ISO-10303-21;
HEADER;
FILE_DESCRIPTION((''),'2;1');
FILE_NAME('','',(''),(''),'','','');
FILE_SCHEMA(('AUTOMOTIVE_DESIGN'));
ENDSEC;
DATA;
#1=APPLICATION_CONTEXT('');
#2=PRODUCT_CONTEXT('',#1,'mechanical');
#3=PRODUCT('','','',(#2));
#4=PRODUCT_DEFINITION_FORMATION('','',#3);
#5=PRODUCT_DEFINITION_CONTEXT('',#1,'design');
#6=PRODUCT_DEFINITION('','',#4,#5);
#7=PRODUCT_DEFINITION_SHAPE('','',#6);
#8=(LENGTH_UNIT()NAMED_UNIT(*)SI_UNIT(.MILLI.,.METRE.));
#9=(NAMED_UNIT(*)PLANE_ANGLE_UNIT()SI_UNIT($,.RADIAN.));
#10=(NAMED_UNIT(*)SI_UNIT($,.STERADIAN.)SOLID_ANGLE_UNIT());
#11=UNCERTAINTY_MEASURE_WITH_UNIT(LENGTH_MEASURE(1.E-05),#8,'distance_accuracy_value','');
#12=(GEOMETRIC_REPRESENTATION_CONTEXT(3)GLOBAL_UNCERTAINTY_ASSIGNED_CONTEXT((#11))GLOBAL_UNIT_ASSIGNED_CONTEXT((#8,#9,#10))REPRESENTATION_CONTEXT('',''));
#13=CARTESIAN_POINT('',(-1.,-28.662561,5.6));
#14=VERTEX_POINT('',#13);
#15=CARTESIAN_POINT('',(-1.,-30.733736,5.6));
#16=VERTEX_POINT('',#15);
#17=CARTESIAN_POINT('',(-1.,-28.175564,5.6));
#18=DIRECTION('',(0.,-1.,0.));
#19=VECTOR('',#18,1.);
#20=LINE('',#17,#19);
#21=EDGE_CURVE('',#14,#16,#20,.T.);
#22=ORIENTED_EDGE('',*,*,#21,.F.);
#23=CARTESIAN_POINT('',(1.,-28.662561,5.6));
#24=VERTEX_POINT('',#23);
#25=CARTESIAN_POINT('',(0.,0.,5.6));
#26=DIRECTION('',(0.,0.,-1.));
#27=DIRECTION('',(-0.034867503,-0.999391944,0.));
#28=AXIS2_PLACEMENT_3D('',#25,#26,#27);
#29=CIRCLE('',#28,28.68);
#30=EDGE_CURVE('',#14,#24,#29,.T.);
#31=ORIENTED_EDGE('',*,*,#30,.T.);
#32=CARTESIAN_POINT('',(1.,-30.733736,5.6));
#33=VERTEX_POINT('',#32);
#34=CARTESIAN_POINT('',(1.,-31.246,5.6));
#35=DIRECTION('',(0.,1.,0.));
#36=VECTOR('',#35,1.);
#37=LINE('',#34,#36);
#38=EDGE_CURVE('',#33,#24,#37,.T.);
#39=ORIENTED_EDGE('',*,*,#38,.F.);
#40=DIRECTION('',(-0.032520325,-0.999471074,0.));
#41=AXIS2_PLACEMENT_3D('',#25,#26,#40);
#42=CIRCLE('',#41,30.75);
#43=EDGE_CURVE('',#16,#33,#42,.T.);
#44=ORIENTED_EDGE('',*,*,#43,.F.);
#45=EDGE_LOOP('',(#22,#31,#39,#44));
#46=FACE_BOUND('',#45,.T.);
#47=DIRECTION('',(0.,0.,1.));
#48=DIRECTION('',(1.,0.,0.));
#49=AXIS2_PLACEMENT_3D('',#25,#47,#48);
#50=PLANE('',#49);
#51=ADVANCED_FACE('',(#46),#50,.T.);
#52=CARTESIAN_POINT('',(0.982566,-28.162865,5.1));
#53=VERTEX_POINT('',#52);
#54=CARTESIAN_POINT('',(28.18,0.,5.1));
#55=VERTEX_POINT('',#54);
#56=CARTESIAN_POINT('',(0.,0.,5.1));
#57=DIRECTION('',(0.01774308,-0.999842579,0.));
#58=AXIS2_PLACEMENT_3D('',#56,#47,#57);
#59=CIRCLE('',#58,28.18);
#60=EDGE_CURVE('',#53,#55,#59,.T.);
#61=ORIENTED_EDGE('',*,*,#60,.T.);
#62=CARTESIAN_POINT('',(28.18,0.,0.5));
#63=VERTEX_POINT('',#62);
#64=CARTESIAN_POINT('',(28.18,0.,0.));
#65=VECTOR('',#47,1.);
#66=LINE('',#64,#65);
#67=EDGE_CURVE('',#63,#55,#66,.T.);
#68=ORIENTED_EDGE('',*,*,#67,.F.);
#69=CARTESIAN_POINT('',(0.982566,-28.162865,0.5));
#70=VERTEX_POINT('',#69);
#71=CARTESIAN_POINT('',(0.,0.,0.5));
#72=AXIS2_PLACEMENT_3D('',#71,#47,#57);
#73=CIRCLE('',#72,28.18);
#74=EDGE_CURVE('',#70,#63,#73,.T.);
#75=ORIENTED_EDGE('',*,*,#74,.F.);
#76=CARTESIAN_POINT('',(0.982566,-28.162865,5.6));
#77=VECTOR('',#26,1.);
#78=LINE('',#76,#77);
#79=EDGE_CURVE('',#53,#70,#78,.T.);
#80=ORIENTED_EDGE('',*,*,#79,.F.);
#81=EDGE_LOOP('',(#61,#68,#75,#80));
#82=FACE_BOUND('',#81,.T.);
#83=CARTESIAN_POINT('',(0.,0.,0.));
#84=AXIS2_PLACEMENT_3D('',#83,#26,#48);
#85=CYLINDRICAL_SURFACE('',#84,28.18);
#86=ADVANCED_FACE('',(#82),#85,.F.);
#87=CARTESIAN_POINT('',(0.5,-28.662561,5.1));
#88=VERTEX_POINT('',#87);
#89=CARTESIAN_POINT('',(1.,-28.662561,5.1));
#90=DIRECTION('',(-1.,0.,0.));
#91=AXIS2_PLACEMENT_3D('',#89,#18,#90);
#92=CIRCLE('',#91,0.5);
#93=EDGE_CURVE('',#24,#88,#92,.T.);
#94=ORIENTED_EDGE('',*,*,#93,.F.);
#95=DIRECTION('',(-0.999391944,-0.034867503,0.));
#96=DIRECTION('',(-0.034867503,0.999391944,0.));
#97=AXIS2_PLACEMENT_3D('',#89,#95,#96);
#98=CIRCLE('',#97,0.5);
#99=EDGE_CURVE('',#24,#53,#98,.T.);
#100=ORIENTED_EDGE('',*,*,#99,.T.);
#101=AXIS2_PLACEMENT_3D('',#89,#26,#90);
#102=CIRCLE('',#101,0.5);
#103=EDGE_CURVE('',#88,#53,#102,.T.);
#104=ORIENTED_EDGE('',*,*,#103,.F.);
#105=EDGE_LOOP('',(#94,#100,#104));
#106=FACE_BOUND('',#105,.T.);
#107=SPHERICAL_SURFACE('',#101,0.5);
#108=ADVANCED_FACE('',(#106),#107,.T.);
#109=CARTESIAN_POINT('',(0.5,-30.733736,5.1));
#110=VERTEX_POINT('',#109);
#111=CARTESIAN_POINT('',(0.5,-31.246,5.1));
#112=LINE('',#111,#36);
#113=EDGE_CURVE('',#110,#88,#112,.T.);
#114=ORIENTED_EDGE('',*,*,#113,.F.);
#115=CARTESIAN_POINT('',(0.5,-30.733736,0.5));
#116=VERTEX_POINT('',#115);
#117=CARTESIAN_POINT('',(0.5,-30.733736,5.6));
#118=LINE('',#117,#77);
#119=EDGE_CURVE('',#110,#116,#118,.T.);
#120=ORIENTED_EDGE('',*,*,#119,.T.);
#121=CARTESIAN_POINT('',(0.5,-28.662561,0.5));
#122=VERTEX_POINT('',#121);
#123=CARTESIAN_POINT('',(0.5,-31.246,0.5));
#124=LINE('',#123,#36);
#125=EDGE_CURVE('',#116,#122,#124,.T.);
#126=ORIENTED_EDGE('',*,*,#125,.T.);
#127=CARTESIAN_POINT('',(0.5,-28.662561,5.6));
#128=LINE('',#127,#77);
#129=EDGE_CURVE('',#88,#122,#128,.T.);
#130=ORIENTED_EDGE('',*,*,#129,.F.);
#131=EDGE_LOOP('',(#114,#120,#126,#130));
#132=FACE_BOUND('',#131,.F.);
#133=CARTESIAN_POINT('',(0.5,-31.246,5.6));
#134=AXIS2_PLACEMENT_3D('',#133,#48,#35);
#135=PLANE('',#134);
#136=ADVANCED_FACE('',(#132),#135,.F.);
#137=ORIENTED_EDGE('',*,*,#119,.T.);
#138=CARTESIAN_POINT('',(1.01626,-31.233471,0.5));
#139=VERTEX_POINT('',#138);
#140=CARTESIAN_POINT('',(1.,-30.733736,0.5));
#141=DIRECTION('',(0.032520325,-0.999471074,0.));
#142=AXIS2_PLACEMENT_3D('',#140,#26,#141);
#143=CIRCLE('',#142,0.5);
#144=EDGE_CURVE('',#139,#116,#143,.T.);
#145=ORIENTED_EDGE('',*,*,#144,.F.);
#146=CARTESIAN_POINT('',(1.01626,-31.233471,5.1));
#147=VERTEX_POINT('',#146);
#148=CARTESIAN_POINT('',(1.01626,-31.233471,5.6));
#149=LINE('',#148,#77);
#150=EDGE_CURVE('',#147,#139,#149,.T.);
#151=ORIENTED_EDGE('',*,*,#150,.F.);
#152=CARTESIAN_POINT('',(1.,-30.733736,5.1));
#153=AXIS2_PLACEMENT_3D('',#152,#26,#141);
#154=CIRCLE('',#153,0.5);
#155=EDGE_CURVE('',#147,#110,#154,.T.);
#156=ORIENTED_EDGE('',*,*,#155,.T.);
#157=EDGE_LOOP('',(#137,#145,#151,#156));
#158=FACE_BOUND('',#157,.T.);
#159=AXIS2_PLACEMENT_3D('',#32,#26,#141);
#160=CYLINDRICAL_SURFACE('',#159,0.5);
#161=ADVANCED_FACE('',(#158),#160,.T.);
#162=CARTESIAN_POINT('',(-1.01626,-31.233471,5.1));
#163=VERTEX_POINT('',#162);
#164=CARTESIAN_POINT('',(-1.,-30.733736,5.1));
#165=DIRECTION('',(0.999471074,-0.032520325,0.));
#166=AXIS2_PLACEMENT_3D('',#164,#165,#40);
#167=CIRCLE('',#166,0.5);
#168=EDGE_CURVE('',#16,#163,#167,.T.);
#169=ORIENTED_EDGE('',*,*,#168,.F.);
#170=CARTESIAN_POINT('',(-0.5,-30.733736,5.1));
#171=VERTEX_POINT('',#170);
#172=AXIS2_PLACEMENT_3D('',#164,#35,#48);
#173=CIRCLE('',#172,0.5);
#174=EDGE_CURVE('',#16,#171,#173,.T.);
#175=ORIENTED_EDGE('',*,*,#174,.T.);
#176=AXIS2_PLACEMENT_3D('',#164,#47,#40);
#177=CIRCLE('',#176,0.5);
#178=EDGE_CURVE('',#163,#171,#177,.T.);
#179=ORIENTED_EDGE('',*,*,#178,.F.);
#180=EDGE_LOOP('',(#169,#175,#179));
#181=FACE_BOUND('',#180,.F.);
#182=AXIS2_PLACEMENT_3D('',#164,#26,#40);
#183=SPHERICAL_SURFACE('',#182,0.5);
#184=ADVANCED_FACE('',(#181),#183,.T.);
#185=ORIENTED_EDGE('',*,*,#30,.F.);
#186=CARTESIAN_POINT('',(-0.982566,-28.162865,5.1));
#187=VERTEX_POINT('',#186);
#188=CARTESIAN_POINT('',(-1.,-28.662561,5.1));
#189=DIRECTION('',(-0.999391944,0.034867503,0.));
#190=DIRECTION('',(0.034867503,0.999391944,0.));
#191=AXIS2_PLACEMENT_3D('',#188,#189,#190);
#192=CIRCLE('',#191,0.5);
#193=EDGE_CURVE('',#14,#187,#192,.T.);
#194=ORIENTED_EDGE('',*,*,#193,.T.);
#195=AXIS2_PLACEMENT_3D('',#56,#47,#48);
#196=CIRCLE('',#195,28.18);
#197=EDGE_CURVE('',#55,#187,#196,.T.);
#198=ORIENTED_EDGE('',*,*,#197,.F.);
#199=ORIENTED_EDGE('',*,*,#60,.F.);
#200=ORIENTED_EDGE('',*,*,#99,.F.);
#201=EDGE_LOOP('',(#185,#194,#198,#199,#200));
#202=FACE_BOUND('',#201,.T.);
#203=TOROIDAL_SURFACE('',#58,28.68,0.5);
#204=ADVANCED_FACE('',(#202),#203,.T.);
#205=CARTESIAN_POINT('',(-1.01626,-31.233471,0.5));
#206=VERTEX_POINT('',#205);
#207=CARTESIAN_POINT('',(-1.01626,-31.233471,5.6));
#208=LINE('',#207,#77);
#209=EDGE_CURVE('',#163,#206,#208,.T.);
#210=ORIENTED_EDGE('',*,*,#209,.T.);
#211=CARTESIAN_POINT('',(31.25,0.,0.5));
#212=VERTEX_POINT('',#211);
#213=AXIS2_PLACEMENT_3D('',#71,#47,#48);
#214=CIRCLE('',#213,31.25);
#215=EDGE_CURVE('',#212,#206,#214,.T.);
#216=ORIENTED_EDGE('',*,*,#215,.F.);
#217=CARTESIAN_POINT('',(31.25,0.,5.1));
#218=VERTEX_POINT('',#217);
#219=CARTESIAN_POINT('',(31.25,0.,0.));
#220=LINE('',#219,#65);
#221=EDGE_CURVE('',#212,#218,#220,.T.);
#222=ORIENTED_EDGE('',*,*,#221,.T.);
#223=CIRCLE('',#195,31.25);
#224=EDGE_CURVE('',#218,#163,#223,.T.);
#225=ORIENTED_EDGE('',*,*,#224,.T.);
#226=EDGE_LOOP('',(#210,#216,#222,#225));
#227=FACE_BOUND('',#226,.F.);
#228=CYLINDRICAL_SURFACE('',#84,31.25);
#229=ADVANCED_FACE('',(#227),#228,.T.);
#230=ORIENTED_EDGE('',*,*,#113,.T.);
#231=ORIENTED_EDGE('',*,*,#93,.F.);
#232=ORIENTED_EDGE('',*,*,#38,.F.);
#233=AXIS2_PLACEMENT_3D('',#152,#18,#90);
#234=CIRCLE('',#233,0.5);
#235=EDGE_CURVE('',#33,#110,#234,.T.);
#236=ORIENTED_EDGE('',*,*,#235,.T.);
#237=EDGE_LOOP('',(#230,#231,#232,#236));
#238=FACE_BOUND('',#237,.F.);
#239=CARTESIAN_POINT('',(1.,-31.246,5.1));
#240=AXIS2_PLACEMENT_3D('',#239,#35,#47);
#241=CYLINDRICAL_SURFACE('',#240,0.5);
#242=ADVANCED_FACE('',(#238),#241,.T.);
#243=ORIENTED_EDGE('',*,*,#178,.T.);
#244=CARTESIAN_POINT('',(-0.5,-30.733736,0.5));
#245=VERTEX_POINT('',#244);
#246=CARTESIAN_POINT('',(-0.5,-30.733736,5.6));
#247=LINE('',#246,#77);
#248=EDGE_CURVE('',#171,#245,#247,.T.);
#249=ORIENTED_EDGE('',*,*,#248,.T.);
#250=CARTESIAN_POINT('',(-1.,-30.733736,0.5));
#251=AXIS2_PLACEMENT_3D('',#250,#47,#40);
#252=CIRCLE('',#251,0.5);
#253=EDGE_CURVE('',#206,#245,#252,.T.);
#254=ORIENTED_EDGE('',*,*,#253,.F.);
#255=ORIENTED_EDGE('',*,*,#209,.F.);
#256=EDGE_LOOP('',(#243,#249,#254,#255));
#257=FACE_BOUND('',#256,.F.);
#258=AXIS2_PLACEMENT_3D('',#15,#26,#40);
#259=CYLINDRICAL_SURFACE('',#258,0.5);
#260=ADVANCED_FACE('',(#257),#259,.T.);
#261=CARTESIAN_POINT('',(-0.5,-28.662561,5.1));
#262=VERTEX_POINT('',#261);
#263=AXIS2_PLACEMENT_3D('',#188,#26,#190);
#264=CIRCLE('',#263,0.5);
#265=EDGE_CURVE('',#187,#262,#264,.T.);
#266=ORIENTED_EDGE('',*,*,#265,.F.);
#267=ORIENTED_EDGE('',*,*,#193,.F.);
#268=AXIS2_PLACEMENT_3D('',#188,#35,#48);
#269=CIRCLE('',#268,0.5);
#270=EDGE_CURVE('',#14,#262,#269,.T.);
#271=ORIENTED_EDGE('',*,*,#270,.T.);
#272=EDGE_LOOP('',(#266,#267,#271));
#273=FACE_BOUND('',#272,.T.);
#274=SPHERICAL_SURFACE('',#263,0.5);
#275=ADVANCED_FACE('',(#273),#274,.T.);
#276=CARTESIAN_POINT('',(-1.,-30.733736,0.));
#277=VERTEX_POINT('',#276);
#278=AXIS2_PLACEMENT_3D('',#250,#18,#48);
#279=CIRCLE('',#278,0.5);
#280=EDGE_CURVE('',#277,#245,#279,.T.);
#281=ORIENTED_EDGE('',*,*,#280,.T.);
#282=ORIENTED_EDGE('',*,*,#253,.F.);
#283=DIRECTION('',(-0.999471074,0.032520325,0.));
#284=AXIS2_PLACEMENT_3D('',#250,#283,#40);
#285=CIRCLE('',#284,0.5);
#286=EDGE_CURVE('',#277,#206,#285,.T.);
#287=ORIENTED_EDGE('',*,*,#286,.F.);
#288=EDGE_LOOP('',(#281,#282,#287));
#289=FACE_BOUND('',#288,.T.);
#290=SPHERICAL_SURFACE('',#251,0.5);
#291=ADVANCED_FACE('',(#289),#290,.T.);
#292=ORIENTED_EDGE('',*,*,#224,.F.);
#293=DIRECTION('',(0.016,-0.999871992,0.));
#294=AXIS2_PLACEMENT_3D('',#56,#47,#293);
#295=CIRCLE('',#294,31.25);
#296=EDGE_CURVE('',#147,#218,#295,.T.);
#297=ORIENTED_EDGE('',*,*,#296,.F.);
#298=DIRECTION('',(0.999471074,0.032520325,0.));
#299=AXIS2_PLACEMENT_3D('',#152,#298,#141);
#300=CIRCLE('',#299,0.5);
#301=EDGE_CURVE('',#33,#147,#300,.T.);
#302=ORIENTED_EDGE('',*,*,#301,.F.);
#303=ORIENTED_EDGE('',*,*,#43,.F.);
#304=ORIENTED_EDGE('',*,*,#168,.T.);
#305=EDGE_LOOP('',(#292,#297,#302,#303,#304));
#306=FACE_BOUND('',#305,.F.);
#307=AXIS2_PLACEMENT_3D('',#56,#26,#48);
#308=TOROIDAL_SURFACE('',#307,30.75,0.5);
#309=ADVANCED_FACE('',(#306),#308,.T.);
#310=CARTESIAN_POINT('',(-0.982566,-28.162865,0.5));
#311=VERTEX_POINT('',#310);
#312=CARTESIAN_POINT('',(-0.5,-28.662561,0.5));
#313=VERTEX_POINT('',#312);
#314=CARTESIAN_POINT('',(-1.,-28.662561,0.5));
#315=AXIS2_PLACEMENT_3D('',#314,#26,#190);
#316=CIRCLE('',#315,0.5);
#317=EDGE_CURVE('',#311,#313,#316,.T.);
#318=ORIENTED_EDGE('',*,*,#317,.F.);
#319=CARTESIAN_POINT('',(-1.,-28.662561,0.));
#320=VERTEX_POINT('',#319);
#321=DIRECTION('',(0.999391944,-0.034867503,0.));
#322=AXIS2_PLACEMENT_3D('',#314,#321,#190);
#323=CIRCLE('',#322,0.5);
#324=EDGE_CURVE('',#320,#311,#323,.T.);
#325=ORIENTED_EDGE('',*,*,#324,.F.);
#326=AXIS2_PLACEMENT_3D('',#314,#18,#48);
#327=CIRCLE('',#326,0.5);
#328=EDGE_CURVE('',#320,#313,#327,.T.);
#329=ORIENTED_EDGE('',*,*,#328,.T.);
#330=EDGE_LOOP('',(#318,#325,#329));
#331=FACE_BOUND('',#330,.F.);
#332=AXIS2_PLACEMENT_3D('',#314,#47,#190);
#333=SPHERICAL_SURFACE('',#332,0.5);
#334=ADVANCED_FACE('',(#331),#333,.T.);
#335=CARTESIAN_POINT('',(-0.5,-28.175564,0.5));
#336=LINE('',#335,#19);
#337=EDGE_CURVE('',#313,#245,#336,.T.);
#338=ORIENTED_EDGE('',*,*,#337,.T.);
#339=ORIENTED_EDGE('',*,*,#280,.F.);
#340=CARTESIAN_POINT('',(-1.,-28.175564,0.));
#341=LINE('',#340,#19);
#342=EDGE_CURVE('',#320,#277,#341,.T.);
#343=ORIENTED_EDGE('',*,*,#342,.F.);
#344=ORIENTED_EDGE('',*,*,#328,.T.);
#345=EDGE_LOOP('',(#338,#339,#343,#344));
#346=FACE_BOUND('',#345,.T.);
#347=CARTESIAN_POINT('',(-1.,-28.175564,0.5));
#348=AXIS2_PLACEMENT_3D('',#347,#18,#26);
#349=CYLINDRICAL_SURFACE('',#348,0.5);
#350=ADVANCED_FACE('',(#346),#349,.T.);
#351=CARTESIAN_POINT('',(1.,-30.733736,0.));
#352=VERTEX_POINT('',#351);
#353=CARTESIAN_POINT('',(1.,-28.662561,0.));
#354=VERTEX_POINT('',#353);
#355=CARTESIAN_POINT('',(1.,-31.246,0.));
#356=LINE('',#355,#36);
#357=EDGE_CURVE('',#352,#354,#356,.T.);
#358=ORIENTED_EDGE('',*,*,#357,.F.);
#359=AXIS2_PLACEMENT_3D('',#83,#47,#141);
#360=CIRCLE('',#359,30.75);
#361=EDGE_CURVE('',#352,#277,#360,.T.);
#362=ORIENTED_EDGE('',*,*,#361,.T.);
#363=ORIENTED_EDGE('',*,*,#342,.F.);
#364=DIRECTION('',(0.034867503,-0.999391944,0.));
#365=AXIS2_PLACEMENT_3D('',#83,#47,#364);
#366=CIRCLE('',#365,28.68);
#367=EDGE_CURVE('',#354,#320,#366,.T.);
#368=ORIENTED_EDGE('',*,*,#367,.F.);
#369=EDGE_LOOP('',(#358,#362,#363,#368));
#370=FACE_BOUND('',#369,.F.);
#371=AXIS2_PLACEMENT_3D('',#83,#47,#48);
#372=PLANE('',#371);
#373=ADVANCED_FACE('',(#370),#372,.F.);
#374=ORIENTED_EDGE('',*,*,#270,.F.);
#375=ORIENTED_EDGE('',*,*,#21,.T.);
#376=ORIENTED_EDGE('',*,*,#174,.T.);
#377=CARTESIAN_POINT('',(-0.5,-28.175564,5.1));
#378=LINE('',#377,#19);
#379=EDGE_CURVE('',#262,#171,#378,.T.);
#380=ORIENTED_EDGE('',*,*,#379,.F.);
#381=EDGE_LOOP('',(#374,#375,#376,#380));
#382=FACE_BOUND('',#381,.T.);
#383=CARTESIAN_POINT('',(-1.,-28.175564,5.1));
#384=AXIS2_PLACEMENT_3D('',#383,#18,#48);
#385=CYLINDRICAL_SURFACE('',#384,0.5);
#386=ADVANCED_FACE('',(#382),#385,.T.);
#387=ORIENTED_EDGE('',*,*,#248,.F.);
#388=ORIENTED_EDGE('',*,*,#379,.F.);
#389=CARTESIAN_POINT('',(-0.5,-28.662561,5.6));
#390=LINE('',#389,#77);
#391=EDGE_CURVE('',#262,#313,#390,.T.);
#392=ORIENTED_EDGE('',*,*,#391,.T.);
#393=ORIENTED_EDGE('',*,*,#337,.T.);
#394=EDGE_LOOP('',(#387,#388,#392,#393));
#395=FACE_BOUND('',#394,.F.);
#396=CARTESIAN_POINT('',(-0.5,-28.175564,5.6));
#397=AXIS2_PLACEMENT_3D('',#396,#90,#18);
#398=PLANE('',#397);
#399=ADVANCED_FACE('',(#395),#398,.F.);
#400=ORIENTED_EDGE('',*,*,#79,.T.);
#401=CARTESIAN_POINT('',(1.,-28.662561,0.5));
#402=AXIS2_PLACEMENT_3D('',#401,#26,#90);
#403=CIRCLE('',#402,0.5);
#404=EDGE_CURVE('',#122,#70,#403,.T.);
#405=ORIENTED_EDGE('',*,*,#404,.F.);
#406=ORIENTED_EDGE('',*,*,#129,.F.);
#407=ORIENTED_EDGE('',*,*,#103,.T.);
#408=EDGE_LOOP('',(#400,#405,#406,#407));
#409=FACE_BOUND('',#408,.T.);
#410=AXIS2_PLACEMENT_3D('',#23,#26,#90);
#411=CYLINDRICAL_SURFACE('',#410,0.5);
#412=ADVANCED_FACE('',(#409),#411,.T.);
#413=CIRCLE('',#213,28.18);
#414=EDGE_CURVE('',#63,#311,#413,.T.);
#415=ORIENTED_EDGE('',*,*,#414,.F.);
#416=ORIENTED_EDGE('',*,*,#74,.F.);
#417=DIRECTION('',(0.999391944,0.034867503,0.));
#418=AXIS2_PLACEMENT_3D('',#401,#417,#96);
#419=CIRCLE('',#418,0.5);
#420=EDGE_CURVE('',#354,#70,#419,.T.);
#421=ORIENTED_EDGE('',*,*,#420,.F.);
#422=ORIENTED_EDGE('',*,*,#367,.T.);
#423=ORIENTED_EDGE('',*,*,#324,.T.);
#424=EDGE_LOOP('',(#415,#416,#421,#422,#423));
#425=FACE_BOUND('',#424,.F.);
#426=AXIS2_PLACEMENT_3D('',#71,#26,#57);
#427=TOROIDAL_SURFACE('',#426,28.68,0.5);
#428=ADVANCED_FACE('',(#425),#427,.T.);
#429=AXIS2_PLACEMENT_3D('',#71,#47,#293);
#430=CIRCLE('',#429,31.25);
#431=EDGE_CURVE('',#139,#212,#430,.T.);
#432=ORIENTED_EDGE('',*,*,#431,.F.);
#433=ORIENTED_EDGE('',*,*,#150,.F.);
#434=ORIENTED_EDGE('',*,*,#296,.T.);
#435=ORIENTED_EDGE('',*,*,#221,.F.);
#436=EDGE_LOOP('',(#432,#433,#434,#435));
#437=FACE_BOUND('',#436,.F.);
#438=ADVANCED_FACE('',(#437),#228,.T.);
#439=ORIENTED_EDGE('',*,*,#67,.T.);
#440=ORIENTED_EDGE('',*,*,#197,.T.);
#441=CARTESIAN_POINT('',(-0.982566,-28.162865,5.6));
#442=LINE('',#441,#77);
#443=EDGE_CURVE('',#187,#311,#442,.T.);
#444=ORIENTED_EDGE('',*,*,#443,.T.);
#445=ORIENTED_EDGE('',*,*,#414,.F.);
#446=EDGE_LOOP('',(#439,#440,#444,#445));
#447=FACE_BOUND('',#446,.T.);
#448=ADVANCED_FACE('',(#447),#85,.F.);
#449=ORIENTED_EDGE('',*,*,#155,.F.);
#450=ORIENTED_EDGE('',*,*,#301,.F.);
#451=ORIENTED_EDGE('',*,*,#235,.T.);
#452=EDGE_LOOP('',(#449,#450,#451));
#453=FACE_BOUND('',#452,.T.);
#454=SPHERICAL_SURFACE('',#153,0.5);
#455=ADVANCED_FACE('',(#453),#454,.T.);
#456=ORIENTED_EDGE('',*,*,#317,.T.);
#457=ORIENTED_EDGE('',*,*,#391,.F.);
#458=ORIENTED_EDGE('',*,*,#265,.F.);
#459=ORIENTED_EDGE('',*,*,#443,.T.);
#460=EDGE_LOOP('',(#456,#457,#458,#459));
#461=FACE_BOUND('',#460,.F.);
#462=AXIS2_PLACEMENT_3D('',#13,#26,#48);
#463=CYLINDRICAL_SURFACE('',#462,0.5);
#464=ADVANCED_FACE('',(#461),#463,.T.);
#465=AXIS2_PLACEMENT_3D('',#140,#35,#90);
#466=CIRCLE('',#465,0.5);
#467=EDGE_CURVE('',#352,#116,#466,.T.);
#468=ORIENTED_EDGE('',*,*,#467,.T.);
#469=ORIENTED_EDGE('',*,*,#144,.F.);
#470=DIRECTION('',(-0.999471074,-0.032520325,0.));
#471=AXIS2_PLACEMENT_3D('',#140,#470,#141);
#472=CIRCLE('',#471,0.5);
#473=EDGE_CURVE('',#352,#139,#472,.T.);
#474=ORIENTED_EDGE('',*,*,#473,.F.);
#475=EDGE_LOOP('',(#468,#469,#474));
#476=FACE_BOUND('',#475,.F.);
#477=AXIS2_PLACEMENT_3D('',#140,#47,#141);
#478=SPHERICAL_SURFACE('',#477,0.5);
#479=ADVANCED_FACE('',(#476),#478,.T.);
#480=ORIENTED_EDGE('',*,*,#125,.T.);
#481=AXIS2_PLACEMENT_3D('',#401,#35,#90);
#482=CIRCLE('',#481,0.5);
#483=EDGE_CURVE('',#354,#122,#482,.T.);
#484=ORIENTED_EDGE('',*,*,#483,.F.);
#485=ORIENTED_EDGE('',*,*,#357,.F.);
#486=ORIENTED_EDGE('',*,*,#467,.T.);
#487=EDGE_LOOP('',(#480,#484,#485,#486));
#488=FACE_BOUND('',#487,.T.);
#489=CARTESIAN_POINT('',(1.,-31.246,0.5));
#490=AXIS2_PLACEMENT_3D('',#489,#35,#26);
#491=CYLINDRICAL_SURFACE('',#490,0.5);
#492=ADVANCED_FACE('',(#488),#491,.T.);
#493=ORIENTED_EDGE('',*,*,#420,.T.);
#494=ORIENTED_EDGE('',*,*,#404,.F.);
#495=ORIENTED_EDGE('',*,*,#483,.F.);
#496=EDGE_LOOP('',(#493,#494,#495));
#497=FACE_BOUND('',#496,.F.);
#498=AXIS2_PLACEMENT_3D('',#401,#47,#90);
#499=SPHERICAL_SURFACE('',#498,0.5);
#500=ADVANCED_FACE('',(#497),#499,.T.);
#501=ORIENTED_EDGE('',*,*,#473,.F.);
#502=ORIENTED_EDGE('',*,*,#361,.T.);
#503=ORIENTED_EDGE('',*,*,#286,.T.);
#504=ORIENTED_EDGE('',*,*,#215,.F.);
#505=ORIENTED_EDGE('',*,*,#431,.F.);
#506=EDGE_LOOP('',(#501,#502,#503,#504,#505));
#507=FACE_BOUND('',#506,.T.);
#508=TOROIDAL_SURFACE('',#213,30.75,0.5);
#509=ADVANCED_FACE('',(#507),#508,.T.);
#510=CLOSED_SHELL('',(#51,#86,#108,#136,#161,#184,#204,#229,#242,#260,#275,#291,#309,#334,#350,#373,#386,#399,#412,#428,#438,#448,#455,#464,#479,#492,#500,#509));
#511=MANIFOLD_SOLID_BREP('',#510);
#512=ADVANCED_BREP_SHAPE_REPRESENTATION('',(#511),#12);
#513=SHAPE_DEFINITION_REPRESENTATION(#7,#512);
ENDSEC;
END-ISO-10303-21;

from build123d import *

# Parameters (mm, degrees)
F0_R     = 31.25
F0_R_2   = 28.18
F1_DEPTH = 5.6
F3_DEPTH = 25
F4_R     = 0.5


with BuildPart() as f1:
    # F0 (on Top) → F1 (new body)
    with BuildSketch(Plane.XY):
        Circle(F0_R)
        Circle(F0_R_2, mode=Mode.SUBTRACT)
    extrude(amount=F1_DEPTH)

    # F2 (on face) → F3 (cut)
    with BuildSketch(Plane.XY.offset(5.6)):
        with BuildLine():
            ThreePointArc((0.5, -28.1755638808), (0, -28.18), (-0.5, -28.1755638808))
            Line((-0.5, -28.1755638808), (-0.5, -31.245999744))
            ThreePointArc((-0.5, -31.245999744), (0, -31.25), (0.5, -31.245999744))
            Line((0.5, -31.245999744), (0.5, -28.1755638808))
        make_face()
    extrude(amount=-F3_DEPTH, mode=Mode.SUBTRACT)

    # F4
    f4_edges = [f1.edges().sort_by_distance(p)[0] for p in [
        (-0.5, -31.246, 2.8),
        (-0.5, -28.175564, 2.8),
        (0.5, -31.246, 2.8),
        (0.5, -28.175564, 2.8),
        (22.273162, -21.919597, 5.6),
        (0.5, -29.710782, 5.6),
        (20.102269, -19.748701, 5.6),
        (-19.748701, 20.102269, 5.6),
        (-0.5, -29.710782, 5.6),
        (-21.919597, 22.273162, 5.6),
        (22.273162, -21.919597, 0),
        (0.5, -29.710782, 0),
        (20.102269, -19.748701, 0),
        (-19.748701, 20.102269, 0),
        (-0.5, -29.710782, 0),
        (-21.919597, 22.273162, 0),
    ]]
    fillet(f4_edges, radius=F4_R)


solid = f1.part
